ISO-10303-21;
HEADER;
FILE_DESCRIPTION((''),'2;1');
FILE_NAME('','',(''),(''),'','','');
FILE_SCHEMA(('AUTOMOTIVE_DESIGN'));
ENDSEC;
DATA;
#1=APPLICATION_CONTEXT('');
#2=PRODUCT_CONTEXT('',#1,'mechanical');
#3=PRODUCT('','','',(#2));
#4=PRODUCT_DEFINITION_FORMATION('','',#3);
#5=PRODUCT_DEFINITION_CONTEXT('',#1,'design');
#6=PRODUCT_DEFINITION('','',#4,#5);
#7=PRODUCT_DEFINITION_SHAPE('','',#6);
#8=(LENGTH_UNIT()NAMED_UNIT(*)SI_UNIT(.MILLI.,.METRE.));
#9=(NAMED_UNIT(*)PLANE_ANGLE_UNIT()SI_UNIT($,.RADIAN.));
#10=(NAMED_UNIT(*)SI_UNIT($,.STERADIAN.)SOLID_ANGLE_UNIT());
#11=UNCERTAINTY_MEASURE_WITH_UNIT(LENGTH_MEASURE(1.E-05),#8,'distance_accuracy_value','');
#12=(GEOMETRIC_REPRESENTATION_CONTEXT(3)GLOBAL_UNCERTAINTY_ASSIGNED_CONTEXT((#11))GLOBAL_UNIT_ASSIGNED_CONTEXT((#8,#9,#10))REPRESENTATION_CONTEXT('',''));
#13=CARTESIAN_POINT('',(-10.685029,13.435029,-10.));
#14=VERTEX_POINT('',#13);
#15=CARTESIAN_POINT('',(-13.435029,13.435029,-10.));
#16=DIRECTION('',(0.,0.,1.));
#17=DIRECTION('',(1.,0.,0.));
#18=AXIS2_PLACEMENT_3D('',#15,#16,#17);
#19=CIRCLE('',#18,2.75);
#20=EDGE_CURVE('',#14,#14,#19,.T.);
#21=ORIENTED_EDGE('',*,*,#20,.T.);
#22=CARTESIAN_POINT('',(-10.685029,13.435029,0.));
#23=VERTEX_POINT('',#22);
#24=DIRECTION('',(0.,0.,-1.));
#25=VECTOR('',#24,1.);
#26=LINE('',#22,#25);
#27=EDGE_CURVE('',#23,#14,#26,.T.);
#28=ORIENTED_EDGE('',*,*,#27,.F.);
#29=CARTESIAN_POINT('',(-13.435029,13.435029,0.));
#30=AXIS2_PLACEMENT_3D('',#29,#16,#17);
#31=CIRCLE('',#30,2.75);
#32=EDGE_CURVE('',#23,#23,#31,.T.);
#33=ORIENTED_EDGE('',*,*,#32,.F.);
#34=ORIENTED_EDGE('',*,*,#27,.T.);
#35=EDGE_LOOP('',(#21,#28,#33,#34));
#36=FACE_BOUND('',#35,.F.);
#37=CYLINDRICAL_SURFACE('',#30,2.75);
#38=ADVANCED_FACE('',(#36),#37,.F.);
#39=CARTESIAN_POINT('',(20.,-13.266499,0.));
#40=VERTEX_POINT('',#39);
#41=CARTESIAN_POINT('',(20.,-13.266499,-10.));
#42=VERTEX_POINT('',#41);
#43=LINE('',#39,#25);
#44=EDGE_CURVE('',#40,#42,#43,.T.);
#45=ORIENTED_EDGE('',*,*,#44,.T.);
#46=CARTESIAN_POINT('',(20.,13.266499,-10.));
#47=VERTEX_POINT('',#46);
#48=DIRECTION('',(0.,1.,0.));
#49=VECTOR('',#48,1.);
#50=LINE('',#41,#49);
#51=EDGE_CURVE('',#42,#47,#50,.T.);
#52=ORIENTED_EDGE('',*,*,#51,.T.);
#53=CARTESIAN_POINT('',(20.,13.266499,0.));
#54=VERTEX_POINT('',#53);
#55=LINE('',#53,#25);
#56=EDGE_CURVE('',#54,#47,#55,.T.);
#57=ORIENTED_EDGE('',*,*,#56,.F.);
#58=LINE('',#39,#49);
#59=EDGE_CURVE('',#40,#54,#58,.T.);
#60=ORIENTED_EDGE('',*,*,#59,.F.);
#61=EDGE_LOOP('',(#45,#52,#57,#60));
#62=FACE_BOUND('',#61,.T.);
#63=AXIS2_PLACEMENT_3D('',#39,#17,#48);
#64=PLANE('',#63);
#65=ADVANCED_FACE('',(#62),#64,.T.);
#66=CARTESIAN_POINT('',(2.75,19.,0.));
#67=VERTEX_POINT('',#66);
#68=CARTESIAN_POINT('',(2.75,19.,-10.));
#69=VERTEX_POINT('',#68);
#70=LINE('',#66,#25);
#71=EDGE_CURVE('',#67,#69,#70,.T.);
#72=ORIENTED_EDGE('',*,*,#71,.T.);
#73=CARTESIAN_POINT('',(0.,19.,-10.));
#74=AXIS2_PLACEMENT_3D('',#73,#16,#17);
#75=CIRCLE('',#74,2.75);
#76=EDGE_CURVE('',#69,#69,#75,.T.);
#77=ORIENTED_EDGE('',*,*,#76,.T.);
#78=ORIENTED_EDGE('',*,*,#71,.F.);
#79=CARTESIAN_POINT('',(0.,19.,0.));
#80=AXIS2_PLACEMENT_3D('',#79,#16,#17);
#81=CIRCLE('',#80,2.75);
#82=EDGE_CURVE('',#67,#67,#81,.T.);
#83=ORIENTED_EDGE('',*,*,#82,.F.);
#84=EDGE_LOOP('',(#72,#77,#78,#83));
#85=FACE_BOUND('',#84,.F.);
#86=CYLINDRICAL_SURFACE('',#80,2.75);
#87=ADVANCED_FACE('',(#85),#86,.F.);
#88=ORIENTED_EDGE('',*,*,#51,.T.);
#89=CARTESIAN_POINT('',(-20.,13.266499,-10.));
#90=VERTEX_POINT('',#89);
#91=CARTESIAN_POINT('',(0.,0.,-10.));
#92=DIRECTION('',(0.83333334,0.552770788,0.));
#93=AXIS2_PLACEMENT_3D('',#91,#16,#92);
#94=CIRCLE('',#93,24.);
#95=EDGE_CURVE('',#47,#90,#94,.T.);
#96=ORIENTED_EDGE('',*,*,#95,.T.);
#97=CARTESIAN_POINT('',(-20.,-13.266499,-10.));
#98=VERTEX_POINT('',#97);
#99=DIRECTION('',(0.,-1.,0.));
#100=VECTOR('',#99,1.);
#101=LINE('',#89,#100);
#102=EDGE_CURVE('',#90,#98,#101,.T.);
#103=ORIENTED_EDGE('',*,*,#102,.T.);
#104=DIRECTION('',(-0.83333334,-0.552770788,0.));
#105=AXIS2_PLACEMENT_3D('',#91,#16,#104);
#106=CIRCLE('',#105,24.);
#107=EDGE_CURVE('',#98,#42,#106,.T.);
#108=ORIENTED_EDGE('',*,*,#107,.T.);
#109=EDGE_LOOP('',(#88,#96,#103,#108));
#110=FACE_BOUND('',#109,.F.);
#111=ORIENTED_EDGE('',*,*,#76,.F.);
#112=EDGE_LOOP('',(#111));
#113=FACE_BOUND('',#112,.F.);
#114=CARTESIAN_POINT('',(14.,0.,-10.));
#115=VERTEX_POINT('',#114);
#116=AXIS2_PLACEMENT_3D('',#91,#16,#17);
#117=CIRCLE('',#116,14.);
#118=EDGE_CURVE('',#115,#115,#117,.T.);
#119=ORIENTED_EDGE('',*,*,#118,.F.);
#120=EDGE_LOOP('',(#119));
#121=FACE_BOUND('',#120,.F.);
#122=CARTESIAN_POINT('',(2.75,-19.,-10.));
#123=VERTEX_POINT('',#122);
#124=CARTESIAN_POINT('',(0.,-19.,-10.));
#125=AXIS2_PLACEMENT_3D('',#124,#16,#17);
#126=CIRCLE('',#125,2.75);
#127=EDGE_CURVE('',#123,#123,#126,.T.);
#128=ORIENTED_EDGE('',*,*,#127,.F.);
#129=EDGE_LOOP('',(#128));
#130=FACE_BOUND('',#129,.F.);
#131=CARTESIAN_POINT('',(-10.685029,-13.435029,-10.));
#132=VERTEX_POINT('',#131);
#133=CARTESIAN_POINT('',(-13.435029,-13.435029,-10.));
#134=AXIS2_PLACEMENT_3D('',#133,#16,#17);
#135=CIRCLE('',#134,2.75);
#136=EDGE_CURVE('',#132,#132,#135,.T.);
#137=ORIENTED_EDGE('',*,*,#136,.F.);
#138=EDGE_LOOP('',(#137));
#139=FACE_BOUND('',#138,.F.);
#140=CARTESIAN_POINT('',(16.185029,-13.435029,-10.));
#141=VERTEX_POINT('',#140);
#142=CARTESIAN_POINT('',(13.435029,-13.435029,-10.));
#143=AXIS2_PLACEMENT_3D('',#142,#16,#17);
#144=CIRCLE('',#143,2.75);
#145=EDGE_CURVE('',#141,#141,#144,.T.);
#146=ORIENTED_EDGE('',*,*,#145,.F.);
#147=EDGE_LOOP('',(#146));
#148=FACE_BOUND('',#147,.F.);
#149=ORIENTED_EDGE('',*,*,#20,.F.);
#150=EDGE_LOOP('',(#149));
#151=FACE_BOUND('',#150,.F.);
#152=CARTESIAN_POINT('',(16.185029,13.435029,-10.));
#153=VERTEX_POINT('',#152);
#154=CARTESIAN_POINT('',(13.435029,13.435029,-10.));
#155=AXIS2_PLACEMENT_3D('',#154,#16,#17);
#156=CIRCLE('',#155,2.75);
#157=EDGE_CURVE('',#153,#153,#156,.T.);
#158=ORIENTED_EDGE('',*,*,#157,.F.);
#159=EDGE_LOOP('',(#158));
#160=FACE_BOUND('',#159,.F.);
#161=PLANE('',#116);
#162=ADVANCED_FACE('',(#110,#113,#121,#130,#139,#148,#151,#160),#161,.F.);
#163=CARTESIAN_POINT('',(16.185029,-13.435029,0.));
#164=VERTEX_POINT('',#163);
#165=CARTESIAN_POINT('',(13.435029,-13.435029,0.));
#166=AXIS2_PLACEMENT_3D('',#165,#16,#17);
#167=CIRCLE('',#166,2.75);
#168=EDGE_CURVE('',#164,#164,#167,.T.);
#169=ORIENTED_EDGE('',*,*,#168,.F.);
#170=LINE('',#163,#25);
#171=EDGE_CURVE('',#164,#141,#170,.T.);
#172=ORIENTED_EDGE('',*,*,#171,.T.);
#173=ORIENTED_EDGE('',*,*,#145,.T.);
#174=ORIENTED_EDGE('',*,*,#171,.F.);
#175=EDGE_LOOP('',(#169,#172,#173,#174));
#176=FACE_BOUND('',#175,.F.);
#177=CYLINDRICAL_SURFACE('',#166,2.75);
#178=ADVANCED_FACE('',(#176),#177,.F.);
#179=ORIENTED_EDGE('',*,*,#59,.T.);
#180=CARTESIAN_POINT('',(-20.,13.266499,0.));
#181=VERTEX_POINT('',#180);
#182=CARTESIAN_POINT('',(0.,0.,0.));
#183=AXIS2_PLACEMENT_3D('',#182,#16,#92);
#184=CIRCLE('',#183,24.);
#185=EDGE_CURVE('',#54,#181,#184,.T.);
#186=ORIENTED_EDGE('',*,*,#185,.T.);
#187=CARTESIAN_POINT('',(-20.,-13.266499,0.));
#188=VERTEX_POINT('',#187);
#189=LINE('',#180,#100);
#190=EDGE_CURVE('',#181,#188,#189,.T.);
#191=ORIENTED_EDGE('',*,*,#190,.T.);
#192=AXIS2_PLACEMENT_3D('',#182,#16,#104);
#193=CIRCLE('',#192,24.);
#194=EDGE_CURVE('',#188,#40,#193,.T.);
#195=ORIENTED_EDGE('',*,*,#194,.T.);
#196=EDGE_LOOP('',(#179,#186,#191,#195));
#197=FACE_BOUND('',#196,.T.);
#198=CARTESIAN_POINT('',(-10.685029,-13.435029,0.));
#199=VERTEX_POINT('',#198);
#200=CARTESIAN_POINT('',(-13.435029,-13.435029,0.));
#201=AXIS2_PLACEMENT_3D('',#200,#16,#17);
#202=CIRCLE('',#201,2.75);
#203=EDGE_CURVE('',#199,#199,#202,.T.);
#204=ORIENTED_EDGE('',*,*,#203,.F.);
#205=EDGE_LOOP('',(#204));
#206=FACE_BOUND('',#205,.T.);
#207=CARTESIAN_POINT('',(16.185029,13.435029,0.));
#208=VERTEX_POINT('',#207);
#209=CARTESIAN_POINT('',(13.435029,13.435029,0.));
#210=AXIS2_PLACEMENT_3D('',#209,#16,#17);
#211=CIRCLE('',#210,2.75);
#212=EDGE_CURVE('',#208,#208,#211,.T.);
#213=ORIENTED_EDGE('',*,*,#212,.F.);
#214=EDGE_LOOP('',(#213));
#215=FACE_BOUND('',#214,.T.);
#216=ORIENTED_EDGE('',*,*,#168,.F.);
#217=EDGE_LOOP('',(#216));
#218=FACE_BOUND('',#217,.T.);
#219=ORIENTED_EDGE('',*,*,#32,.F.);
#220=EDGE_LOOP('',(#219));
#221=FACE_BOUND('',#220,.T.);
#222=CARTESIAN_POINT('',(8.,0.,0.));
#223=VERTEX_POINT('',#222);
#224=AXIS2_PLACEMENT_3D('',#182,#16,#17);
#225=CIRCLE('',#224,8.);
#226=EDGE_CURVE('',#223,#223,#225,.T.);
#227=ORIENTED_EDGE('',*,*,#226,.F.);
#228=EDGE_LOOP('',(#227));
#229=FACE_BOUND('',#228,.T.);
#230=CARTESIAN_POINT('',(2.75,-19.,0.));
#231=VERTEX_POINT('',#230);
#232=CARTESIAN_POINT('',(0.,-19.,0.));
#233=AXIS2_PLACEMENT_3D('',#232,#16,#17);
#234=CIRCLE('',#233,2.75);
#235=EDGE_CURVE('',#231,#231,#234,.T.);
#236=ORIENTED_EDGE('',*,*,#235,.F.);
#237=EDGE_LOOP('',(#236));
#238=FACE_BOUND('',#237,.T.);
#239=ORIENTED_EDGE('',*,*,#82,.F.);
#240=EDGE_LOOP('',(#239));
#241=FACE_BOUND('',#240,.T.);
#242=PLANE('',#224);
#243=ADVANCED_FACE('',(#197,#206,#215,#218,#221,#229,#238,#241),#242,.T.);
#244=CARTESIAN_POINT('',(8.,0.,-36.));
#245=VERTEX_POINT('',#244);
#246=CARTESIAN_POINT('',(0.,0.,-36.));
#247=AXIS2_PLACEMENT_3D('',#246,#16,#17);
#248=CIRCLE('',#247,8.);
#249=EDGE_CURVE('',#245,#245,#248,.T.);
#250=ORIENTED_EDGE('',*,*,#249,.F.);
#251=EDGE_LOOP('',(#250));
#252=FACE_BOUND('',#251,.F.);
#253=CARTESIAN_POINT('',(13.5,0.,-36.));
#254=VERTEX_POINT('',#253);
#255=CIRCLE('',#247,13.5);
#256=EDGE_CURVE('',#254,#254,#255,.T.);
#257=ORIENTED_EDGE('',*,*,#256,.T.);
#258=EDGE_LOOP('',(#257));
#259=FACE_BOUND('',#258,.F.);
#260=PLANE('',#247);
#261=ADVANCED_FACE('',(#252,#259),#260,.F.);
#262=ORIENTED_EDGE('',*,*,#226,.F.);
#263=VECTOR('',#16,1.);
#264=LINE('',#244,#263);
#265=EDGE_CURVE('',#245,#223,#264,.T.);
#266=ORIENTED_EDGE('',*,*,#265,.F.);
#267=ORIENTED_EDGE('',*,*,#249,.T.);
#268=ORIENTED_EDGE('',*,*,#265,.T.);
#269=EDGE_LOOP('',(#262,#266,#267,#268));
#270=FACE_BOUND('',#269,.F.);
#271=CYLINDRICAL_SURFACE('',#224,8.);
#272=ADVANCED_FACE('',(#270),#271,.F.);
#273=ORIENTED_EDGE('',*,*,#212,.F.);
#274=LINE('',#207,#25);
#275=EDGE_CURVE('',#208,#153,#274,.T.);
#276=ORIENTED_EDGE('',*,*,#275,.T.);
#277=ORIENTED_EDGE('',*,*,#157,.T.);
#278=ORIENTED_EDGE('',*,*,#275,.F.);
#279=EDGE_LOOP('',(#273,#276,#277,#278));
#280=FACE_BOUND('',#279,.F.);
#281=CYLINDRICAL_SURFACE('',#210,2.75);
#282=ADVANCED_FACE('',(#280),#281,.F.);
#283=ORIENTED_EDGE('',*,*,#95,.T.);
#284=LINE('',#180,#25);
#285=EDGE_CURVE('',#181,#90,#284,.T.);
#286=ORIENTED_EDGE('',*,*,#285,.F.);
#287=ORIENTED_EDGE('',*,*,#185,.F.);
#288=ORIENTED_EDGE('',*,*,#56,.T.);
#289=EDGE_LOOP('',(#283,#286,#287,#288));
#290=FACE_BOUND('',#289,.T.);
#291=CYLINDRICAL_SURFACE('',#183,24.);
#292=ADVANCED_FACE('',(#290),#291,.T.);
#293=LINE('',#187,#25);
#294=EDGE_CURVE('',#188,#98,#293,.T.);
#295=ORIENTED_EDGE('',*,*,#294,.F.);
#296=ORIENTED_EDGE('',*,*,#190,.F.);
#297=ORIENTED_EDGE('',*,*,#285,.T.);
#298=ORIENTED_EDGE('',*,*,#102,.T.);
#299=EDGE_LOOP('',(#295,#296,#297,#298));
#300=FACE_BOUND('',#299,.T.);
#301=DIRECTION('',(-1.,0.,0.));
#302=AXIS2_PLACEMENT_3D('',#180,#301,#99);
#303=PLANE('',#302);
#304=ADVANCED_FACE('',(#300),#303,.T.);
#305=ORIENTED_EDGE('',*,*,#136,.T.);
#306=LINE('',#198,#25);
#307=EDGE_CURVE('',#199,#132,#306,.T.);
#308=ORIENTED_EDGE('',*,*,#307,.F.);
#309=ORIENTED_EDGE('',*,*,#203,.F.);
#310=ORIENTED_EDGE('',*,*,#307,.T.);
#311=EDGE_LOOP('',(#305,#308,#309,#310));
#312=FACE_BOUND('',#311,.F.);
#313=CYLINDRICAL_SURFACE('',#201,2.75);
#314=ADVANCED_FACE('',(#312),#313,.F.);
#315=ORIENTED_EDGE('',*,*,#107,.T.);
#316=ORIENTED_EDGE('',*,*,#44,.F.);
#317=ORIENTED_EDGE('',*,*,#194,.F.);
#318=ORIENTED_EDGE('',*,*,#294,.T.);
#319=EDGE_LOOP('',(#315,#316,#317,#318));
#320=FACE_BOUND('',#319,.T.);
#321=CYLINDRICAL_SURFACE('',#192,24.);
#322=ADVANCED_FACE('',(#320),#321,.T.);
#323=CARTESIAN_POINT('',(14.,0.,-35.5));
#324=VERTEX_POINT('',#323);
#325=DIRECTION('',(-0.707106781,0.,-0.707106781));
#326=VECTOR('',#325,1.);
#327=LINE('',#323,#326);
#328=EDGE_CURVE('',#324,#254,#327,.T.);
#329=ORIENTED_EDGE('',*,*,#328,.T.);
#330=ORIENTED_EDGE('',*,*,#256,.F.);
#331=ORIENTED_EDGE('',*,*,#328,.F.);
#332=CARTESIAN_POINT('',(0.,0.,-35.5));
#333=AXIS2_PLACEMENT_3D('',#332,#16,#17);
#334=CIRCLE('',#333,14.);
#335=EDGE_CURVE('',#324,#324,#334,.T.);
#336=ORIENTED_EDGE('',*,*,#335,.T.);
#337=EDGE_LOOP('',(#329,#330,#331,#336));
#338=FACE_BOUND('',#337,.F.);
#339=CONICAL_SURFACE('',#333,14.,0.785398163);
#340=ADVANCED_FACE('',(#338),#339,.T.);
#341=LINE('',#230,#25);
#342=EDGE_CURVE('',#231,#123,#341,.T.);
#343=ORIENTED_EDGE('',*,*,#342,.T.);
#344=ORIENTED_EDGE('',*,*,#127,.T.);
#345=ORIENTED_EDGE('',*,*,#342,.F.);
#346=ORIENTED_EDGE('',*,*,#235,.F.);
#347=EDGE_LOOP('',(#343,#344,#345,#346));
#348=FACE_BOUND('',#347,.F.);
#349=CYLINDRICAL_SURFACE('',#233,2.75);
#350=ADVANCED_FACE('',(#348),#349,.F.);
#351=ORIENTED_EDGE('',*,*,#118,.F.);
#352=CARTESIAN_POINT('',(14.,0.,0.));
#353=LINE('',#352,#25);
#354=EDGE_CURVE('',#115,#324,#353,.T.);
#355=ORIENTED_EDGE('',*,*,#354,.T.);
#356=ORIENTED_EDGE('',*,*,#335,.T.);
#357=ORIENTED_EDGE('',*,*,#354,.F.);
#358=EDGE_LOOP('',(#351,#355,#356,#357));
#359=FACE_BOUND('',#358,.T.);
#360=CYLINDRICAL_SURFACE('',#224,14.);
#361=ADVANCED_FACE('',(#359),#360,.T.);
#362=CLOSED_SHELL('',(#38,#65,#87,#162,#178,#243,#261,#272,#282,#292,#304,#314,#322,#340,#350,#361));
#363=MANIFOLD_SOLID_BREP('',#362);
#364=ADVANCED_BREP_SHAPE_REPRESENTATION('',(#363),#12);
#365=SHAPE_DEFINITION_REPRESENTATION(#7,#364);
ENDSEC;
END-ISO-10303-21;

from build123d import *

# Parameters (mm, degrees)
F0_R     = 2.75
F0_R_2   = 14
F0_R_3   = 8
F1_DEPTH = 10
F2_DEPTH = 36
F3_SIZE  = 0.5


with BuildPart() as f1:
    # F0 (on Top) → F1 (new body)
    with BuildSketch(Plane.XY):
        with BuildLine():
            Line((20, -13.266499), (20, 13.266499))
            ThreePointArc((20, 13.266499), (0, 24), (-20, 13.266499))
            Line((-20, 13.266499), (-20, -13.266499))
            ThreePointArc((-20, -13.266499), (0, -24), (20, -13.266499))
        make_face()
        with Locations((-13.435029, -13.435029)):
            Circle(F0_R, mode=Mode.SUBTRACT)
        with Locations((0, -19)):
            Circle(F0_R, mode=Mode.SUBTRACT)
        with Locations((13.435029, -13.435029)):
            Circle(F0_R, mode=Mode.SUBTRACT)
        with Locations((-13.435029, 13.435029)):
            Circle(F0_R, mode=Mode.SUBTRACT)
        Circle(F0_R_2, mode=Mode.SUBTRACT)
        with Locations((0, 19)):
            Circle(F0_R, mode=Mode.SUBTRACT)
        with Locations((13.435029, 13.435029)):
            Circle(F0_R, mode=Mode.SUBTRACT)
        Circle(F0_R_2)
        Circle(F0_R_3, mode=Mode.SUBTRACT)
    extrude(amount=-F1_DEPTH)

    # F0 (on Top) → F2 (join)
    with BuildSketch(Plane.XY):
        Circle(F0_R_2)
        Circle(F0_R_3, mode=Mode.SUBTRACT)
    extrude(amount=-F2_DEPTH)

    # F3
    f3_edges = [f1.edges().sort_by_distance(p)[0] for p in [
        (-14, 0, -36),
    ]]
    chamfer(f3_edges, length=F3_SIZE)


solid = f1.part
